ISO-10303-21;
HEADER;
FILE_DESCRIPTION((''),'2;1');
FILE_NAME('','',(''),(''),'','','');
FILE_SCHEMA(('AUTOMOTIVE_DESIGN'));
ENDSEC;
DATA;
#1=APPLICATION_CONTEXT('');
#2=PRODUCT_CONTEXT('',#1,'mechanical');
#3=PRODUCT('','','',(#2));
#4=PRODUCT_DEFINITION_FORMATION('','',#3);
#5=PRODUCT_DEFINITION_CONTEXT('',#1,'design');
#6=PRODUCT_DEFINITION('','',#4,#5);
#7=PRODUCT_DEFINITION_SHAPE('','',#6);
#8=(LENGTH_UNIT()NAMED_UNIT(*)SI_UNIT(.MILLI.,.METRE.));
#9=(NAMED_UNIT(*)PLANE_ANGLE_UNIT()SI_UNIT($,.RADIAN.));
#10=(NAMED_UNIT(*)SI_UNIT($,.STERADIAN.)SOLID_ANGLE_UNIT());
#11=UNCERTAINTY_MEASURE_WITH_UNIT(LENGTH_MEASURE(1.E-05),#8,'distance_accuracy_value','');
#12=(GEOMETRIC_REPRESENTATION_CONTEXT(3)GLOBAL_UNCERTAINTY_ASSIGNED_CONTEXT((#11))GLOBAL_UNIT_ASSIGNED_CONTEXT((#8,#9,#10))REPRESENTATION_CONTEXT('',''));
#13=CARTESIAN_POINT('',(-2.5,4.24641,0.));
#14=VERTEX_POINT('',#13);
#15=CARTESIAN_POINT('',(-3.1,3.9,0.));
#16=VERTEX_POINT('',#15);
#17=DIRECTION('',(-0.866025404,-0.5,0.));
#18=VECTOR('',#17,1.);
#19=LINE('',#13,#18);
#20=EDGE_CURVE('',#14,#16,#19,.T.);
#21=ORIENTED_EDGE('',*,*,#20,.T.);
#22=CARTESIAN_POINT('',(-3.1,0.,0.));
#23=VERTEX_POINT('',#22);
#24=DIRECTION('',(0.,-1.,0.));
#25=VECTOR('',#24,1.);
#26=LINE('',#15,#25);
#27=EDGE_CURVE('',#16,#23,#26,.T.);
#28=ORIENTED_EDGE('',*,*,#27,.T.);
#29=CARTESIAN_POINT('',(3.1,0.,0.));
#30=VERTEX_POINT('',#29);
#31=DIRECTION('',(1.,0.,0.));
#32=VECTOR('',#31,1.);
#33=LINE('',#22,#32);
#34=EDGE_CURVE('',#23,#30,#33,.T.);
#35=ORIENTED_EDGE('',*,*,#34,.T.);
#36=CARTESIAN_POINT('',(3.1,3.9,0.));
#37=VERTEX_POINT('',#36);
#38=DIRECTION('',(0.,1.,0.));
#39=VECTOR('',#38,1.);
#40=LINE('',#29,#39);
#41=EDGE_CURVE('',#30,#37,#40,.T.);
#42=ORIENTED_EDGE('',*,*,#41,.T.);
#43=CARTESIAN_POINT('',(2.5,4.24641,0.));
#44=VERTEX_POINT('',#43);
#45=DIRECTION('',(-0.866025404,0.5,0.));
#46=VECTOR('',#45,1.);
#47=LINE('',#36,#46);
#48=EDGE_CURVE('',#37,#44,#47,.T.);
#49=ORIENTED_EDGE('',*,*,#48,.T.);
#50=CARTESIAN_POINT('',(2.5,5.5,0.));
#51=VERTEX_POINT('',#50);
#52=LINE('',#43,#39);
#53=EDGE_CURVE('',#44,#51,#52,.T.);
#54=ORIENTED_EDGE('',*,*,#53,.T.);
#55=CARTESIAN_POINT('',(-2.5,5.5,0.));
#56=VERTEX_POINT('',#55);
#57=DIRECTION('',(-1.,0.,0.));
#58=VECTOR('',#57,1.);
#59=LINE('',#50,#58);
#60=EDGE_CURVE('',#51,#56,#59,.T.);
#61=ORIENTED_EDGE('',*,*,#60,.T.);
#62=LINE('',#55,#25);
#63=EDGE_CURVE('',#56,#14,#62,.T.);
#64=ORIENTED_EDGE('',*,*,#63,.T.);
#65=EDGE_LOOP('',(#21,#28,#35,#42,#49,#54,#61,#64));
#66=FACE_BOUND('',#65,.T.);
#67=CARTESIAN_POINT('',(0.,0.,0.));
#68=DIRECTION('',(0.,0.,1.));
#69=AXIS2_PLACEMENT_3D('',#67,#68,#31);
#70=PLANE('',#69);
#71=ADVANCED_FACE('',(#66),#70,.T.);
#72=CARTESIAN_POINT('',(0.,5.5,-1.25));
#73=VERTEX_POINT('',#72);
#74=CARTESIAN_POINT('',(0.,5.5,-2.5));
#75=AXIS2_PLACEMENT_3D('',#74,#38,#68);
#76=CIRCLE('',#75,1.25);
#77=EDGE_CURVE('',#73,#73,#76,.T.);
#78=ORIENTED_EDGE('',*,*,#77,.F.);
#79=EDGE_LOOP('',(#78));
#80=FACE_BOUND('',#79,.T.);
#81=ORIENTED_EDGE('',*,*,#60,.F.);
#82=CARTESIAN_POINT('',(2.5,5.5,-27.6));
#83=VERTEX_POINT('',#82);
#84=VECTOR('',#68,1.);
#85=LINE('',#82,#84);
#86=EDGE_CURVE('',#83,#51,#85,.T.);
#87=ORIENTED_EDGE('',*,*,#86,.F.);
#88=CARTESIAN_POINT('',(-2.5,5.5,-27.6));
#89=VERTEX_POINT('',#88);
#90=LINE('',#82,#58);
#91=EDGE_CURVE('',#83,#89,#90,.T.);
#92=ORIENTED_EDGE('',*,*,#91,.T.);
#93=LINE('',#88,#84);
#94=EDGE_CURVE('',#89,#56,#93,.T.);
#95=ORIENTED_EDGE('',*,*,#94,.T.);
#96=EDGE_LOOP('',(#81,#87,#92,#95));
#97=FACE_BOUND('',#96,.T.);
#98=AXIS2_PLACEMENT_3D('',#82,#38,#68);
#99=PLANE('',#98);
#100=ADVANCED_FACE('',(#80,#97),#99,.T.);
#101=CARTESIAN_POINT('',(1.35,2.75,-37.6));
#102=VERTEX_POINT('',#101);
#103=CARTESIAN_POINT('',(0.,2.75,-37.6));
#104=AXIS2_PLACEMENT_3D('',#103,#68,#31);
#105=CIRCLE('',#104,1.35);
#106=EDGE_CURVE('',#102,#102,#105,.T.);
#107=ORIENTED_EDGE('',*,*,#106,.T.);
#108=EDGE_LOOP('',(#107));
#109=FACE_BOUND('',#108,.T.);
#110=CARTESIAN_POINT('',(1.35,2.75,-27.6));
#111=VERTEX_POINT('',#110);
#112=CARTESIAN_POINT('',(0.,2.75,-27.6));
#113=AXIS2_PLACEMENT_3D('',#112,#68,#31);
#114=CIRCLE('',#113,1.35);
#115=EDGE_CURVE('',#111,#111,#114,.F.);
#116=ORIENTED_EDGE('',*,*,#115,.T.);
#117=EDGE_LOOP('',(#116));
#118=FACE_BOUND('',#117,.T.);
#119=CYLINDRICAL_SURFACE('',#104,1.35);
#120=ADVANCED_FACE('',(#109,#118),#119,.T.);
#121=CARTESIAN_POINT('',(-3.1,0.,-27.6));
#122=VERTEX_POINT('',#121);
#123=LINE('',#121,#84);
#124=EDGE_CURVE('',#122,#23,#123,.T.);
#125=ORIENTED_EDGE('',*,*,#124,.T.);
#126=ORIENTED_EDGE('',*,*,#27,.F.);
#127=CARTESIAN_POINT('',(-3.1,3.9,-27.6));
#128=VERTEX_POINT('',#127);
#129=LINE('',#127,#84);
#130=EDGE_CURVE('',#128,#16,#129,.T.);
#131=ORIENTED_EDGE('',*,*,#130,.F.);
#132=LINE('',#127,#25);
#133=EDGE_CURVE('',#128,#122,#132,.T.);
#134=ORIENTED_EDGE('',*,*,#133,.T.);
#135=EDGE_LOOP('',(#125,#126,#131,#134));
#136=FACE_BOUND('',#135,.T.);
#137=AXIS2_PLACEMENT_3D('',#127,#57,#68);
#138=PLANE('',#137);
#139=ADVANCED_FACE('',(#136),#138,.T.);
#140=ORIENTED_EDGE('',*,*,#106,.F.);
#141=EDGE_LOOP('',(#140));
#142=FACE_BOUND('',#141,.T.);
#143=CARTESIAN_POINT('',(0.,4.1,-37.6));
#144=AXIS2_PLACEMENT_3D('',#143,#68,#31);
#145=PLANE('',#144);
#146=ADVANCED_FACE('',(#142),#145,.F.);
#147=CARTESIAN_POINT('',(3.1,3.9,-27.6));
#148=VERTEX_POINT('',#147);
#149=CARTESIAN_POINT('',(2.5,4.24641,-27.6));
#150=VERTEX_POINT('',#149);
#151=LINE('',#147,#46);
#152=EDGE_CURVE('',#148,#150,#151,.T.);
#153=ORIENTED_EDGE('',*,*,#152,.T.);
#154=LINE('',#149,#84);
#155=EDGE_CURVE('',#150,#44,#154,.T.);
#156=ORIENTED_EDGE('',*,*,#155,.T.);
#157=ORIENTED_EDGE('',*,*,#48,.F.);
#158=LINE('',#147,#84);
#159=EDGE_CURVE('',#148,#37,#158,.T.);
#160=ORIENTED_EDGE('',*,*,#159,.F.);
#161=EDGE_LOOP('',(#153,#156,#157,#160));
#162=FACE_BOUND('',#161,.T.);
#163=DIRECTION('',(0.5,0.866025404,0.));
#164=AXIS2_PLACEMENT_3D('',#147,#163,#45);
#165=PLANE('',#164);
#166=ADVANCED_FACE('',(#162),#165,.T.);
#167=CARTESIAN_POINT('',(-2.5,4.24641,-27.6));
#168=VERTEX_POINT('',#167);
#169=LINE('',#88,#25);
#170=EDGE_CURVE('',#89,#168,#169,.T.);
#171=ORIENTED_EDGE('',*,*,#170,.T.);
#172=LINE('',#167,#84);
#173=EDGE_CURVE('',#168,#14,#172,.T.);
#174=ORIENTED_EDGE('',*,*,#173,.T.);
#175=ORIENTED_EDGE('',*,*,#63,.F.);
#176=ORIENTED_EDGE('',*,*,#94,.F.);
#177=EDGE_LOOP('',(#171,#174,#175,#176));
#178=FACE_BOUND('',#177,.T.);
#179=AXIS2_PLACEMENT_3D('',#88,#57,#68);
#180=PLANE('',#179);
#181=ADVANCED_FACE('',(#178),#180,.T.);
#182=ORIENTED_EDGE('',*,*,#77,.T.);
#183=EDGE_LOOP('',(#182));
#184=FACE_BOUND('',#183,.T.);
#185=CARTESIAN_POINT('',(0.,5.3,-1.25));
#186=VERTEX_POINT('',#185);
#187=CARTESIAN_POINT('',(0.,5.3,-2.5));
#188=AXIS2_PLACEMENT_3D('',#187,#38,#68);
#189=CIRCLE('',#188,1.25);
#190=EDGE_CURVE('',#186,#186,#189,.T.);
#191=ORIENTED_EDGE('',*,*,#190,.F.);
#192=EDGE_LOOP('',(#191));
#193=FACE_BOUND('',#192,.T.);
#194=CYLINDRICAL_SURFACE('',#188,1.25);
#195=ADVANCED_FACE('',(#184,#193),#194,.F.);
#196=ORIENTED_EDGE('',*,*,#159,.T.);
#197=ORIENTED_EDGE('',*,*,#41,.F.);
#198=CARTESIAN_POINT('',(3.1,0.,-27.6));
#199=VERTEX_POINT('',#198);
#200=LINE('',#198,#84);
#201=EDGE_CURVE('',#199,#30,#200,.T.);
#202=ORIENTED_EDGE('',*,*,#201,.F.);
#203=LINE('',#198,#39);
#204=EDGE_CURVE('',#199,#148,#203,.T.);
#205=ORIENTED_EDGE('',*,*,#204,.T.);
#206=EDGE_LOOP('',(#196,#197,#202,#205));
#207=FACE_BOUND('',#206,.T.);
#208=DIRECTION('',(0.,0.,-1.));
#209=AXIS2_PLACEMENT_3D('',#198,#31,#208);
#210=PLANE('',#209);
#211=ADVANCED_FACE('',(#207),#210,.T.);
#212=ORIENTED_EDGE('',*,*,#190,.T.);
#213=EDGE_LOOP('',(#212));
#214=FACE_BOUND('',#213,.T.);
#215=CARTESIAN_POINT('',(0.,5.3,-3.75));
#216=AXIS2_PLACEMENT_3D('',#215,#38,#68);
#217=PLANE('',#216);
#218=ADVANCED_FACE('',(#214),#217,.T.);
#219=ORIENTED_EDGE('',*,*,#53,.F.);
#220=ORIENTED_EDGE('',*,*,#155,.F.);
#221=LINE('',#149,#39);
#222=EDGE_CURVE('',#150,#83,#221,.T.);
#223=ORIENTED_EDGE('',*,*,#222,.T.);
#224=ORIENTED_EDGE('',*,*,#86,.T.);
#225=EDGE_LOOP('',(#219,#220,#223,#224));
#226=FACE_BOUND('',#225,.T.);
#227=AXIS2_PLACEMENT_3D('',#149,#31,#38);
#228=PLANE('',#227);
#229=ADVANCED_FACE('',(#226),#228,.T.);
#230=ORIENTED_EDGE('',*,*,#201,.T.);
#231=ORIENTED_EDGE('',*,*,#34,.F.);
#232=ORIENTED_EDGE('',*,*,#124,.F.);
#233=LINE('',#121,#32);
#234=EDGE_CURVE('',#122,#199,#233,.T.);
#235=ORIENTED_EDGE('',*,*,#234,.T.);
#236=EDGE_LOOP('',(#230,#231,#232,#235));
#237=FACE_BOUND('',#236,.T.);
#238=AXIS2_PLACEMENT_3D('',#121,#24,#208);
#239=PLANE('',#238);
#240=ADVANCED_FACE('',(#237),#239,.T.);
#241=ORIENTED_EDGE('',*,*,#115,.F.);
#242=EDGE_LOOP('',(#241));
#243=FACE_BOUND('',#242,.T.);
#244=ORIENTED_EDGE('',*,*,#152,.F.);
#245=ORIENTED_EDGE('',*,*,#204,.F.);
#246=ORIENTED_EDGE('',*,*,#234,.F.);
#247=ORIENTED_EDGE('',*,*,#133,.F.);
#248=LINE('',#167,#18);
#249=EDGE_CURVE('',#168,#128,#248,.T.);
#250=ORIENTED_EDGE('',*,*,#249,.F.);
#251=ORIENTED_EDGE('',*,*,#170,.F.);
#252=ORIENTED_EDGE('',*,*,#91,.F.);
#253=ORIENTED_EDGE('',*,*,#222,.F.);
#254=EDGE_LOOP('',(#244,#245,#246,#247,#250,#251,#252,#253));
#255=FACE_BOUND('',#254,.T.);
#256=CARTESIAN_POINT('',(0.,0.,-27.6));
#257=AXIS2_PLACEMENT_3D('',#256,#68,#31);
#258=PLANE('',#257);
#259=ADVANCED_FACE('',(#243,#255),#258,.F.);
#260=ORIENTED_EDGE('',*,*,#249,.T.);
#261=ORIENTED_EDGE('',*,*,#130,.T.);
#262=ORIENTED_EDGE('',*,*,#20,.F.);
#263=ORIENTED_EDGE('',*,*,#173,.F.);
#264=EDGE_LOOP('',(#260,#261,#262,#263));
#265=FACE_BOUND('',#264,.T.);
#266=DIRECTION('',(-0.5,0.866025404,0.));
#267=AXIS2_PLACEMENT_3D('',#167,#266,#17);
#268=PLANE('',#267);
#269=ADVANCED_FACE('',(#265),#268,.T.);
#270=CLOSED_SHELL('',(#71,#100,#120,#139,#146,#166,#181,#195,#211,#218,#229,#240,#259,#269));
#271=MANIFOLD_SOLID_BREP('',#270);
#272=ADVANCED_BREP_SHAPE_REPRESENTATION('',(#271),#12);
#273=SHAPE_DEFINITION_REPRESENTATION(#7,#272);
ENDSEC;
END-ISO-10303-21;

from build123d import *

# Parameters (mm, degrees)
EXTRUDE_1_DEPTH = 27.6
SKETCH_2_W      = 10
SKETCH_2_H      = 1.35
SKETCH_3_W      = 1.25
SKETCH_3_H      = 0.2


with BuildPart() as part:
    # 草图1 → 凸台-拉伸1 (new body)
    with BuildSketch(Plane.XY):
        Polygon((-3.1, 0), (3.1, 0), (3.1, 3.9), (2.5, 4.246410162), (2.5, 5.5), (-2.5, 5.5), (-2.5, 4.246410162), (-3.1, 3.9), align=None)
    extrude(amount=-EXTRUDE_1_DEPTH)

    # 草图2 → 旋转1 (revolve)
    with BuildSketch(Plane(origin=(0, 0, 0), x_dir=(0, 0, -1), z_dir=(1, 0, 0))):
        with Locations((32.6, 3.425)):
            Rectangle(SKETCH_2_W, SKETCH_2_H)
    revolve(axis=Axis((0, 2.75, -37.6), (0, 0, 1)))

    # 草图3 → 切除-旋转1 (revolve, cut)
    with BuildSketch(Plane(origin=(0, 0, 0), x_dir=(0, 0, -1), z_dir=(1, 0, 0))):
        with Locations((3.125, 5.4)):
            Rectangle(SKETCH_3_W, SKETCH_3_H)
    revolve(axis=Axis((0, 5.3, -2.5), (0, 1, 0)), mode=Mode.SUBTRACT)


solid = part.part
